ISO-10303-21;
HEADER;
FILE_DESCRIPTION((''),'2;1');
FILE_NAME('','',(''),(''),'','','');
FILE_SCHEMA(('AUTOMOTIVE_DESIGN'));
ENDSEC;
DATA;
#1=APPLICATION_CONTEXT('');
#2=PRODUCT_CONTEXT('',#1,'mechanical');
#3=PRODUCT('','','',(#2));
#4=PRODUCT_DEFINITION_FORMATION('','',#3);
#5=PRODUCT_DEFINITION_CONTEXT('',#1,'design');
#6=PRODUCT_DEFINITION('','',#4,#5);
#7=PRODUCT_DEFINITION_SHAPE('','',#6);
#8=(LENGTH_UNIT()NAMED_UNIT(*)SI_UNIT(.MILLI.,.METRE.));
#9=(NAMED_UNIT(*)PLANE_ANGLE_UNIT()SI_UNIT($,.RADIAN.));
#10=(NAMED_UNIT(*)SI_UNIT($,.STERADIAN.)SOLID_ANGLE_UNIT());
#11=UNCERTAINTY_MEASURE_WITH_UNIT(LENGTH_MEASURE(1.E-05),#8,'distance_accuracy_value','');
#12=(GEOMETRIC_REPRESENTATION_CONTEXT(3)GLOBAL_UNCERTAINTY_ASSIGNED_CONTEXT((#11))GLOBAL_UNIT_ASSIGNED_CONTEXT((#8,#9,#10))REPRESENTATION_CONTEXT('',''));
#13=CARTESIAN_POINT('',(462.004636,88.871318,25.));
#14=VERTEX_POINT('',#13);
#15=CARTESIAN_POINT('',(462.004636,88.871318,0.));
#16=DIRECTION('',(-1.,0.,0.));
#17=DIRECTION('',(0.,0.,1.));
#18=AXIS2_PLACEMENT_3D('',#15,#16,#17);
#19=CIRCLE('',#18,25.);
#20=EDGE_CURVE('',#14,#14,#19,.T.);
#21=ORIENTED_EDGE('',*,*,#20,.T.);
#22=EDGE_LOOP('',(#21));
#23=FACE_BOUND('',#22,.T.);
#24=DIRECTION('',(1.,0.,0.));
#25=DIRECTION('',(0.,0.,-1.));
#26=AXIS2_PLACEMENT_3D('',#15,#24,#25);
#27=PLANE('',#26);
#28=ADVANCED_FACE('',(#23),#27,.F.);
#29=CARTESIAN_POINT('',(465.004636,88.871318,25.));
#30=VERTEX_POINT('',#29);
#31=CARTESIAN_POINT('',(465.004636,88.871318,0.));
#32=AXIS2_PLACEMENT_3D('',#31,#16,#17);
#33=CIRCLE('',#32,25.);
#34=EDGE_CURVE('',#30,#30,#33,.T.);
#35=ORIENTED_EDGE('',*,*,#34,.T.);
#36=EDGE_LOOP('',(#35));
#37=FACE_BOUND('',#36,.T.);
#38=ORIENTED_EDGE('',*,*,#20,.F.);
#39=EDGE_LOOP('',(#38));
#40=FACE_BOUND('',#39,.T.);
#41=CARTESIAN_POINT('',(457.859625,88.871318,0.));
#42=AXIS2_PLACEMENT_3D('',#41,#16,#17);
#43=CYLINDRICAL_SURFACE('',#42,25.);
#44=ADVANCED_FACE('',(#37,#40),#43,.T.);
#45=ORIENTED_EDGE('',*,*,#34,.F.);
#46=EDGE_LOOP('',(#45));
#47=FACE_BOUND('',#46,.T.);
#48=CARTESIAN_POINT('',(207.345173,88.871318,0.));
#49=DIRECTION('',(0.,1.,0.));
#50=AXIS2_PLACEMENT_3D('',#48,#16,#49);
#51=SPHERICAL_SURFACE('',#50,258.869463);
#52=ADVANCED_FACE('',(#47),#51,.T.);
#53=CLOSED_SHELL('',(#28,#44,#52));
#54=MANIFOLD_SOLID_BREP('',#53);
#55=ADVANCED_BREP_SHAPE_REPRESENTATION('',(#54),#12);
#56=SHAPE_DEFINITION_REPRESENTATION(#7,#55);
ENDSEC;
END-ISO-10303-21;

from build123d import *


with BuildPart() as part:
    # 草图1 → 旋转1 (revolve)
    with BuildSketch(Plane.XY):
        with BuildLine():
            Line((462.004636282, 88.871318013), (462.004636282, 113.871318013))
            Line((462.004636282, 113.871318013), (465.004636282, 113.871318013))
            ThreePointArc((465.004636282, 113.871318013), (465.911959333, 101.385950449), (466.214636282, 88.871318013))
            Line((466.214636282, 88.871318013), (462.004636282, 88.871318013))
        make_face()
    revolve(axis=Axis((457.859624533, 88.871318013, 0), (1, 0, 0)))


solid = part.part
